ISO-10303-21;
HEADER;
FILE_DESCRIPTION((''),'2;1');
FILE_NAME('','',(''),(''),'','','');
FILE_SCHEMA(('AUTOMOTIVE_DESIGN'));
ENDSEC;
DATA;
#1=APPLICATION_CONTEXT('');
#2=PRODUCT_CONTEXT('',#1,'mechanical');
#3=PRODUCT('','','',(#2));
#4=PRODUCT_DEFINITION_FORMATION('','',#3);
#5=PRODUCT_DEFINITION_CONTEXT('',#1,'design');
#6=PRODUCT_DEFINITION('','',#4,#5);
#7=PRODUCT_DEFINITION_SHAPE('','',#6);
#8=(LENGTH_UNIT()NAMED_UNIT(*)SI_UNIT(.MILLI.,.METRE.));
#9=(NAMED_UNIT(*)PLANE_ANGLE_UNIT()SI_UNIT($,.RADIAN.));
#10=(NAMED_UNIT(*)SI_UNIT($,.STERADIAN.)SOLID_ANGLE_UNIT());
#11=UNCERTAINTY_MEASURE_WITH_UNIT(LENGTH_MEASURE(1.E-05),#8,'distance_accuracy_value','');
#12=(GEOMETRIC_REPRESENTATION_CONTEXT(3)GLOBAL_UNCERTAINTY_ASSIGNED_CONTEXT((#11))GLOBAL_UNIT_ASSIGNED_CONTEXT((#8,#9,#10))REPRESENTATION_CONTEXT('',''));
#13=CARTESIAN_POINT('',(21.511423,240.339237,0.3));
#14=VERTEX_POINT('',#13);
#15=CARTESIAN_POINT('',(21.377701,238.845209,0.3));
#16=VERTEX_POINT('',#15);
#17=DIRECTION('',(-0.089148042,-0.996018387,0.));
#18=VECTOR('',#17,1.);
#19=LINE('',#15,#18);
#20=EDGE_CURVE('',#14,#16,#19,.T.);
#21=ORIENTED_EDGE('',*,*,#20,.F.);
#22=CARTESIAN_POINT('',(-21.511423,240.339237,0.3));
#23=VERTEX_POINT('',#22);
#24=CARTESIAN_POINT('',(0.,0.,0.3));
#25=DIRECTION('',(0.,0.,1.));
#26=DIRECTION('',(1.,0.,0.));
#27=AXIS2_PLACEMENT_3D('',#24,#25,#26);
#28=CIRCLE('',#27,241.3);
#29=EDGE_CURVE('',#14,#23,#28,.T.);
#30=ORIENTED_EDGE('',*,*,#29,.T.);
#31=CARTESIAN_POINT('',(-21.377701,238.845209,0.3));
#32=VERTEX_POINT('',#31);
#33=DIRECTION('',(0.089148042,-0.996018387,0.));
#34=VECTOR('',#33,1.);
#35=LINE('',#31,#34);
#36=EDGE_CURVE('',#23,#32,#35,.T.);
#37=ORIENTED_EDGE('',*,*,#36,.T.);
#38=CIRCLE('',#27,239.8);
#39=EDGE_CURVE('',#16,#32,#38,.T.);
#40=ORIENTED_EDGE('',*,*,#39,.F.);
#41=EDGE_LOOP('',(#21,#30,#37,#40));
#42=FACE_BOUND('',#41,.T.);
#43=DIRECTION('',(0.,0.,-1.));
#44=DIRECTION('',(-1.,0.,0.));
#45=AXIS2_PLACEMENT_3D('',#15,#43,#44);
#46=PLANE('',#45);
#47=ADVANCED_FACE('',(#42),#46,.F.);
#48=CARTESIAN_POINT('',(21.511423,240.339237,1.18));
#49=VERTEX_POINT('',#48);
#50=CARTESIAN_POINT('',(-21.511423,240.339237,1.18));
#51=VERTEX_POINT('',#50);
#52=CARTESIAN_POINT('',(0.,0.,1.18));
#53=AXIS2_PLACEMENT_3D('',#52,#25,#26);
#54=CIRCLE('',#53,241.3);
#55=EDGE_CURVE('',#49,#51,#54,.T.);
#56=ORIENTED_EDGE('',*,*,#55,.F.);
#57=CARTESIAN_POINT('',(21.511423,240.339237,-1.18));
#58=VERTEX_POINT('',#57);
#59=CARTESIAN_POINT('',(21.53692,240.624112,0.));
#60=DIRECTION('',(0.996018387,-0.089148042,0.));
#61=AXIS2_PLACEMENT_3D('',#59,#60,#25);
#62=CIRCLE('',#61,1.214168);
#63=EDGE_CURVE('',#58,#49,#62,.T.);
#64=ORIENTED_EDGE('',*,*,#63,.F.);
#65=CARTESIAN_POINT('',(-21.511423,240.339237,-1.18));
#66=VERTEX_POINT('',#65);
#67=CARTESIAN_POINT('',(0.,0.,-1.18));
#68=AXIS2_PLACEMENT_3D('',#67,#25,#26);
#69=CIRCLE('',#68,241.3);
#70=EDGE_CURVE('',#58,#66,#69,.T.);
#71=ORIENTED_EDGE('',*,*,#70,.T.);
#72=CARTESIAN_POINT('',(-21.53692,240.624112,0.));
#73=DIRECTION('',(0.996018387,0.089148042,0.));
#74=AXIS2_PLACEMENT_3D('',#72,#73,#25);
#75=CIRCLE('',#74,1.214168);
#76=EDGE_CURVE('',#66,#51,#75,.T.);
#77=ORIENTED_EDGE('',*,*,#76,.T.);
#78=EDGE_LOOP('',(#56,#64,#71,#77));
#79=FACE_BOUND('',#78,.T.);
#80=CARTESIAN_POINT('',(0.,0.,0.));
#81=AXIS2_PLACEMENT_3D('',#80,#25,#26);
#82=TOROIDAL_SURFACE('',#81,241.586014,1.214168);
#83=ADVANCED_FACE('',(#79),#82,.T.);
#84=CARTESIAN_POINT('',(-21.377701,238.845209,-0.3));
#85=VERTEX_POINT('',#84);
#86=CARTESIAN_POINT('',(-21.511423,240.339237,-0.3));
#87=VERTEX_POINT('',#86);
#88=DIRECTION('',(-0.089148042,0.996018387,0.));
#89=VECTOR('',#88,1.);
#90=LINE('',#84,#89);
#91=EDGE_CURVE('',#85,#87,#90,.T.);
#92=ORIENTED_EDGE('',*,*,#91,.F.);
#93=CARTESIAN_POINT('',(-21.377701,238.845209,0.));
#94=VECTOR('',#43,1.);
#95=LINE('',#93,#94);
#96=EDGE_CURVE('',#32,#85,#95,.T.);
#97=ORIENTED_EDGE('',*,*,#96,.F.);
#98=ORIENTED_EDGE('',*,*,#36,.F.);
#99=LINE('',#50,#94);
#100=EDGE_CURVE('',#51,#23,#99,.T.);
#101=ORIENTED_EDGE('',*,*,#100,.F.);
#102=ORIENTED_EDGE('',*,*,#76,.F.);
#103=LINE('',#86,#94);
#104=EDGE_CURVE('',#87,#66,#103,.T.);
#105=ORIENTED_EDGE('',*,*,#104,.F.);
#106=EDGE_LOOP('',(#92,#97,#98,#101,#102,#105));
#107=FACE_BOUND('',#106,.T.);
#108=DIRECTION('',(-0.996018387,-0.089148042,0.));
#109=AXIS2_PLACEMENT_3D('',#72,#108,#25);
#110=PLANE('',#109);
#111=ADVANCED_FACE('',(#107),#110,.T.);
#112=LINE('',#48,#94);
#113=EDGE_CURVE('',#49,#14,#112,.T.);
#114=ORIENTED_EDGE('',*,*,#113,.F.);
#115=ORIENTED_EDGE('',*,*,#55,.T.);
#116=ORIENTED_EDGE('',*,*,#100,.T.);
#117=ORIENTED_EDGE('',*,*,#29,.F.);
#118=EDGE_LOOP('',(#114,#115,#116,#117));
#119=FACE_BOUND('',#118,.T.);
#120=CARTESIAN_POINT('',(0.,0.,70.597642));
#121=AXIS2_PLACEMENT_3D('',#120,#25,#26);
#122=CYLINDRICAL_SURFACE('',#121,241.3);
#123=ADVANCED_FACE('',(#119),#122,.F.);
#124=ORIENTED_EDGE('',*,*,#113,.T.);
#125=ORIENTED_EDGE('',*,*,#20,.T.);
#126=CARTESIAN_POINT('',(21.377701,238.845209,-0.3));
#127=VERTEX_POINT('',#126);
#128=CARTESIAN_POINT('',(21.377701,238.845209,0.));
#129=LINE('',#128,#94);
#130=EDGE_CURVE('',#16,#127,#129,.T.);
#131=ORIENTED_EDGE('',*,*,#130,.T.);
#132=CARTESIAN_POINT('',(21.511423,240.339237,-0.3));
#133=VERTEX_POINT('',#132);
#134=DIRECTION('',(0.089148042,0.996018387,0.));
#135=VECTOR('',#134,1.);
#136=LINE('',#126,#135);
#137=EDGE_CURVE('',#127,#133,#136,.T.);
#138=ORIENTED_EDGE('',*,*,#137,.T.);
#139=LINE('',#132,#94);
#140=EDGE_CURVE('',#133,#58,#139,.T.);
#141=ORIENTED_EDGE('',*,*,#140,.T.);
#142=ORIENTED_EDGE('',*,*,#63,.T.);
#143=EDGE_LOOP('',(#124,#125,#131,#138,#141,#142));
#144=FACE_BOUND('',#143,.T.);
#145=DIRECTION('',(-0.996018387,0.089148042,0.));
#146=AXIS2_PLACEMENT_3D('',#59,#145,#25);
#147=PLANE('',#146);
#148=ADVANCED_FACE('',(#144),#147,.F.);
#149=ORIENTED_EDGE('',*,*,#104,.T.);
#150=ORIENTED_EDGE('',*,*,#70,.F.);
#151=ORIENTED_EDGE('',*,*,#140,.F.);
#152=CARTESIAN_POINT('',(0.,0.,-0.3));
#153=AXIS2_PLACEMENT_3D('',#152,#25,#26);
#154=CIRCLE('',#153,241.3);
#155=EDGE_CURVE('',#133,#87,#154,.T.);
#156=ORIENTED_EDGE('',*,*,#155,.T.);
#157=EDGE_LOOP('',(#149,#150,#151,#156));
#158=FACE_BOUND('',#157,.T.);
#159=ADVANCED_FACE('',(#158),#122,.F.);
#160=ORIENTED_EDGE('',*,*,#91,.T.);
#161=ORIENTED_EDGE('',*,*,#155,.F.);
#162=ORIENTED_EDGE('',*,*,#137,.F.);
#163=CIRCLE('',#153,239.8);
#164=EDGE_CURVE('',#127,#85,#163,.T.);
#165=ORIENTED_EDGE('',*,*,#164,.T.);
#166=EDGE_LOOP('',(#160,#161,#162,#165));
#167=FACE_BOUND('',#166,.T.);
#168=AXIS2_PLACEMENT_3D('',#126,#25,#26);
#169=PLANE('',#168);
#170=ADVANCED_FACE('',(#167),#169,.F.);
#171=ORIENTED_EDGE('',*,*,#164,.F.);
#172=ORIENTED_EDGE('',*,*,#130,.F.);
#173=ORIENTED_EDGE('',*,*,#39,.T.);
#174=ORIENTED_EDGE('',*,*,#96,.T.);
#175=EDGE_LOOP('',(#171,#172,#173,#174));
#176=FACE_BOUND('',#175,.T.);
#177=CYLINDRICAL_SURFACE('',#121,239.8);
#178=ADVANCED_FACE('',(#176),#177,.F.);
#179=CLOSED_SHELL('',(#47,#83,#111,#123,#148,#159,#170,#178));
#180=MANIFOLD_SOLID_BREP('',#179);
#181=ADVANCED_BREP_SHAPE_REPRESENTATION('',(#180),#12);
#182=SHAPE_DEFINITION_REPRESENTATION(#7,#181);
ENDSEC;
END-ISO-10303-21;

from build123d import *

# Parameters (mm, degrees)
REVOLVE1_ANGLE           = 5.11459649
REVOLVE1_OTHER_WAY_ANGLE = 5.11459649


with BuildPart() as part:
    # Sketch2 → Revolve1 (revolve)
    with BuildSketch(Plane(origin=(0, 0, 0), x_dir=(0, 0, -1), z_dir=(1, 0, 0))):
        with BuildLine():
            Line((0, 239.8), (0.3, 239.8))
            Line((0.3, 239.8), (0.3, 241.3))
            Line((0.3, 241.3), (1.18, 241.3))
            ThreePointArc((1.18, 241.3), (0, 242.800182019), (-1.18, 241.3))
            Line((-1.18, 241.3), (-0.3, 241.3))
            Line((-0.3, 241.3), (-0.3, 239.8))
            Line((-0.3, 239.8), (0, 239.8))
        make_face()
    revolve(axis=Axis((0, 0, 70.597641597), (0, 0, -1)), revolution_arc=REVOLVE1_ANGLE)

    # Sketch2 → Revolve1 other way (revolve)
    with BuildSketch(Plane(origin=(0, 0, 0), x_dir=(0, 0, -1), z_dir=(1, 0, 0))):
        with BuildLine():
            Line((0, 239.8), (0.3, 239.8))
            Line((0.3, 239.8), (0.3, 241.3))
            Line((0.3, 241.3), (1.18, 241.3))
            ThreePointArc((1.18, 241.3), (0, 242.800182019), (-1.18, 241.3))
            Line((-1.18, 241.3), (-0.3, 241.3))
            Line((-0.3, 241.3), (-0.3, 239.8))
            Line((-0.3, 239.8), (0, 239.8))
        make_face()
    revolve(axis=Axis((0, 0, 70.597641597), (0, 0, 1)), revolution_arc=REVOLVE1_OTHER_WAY_ANGLE)


solid = part.part
